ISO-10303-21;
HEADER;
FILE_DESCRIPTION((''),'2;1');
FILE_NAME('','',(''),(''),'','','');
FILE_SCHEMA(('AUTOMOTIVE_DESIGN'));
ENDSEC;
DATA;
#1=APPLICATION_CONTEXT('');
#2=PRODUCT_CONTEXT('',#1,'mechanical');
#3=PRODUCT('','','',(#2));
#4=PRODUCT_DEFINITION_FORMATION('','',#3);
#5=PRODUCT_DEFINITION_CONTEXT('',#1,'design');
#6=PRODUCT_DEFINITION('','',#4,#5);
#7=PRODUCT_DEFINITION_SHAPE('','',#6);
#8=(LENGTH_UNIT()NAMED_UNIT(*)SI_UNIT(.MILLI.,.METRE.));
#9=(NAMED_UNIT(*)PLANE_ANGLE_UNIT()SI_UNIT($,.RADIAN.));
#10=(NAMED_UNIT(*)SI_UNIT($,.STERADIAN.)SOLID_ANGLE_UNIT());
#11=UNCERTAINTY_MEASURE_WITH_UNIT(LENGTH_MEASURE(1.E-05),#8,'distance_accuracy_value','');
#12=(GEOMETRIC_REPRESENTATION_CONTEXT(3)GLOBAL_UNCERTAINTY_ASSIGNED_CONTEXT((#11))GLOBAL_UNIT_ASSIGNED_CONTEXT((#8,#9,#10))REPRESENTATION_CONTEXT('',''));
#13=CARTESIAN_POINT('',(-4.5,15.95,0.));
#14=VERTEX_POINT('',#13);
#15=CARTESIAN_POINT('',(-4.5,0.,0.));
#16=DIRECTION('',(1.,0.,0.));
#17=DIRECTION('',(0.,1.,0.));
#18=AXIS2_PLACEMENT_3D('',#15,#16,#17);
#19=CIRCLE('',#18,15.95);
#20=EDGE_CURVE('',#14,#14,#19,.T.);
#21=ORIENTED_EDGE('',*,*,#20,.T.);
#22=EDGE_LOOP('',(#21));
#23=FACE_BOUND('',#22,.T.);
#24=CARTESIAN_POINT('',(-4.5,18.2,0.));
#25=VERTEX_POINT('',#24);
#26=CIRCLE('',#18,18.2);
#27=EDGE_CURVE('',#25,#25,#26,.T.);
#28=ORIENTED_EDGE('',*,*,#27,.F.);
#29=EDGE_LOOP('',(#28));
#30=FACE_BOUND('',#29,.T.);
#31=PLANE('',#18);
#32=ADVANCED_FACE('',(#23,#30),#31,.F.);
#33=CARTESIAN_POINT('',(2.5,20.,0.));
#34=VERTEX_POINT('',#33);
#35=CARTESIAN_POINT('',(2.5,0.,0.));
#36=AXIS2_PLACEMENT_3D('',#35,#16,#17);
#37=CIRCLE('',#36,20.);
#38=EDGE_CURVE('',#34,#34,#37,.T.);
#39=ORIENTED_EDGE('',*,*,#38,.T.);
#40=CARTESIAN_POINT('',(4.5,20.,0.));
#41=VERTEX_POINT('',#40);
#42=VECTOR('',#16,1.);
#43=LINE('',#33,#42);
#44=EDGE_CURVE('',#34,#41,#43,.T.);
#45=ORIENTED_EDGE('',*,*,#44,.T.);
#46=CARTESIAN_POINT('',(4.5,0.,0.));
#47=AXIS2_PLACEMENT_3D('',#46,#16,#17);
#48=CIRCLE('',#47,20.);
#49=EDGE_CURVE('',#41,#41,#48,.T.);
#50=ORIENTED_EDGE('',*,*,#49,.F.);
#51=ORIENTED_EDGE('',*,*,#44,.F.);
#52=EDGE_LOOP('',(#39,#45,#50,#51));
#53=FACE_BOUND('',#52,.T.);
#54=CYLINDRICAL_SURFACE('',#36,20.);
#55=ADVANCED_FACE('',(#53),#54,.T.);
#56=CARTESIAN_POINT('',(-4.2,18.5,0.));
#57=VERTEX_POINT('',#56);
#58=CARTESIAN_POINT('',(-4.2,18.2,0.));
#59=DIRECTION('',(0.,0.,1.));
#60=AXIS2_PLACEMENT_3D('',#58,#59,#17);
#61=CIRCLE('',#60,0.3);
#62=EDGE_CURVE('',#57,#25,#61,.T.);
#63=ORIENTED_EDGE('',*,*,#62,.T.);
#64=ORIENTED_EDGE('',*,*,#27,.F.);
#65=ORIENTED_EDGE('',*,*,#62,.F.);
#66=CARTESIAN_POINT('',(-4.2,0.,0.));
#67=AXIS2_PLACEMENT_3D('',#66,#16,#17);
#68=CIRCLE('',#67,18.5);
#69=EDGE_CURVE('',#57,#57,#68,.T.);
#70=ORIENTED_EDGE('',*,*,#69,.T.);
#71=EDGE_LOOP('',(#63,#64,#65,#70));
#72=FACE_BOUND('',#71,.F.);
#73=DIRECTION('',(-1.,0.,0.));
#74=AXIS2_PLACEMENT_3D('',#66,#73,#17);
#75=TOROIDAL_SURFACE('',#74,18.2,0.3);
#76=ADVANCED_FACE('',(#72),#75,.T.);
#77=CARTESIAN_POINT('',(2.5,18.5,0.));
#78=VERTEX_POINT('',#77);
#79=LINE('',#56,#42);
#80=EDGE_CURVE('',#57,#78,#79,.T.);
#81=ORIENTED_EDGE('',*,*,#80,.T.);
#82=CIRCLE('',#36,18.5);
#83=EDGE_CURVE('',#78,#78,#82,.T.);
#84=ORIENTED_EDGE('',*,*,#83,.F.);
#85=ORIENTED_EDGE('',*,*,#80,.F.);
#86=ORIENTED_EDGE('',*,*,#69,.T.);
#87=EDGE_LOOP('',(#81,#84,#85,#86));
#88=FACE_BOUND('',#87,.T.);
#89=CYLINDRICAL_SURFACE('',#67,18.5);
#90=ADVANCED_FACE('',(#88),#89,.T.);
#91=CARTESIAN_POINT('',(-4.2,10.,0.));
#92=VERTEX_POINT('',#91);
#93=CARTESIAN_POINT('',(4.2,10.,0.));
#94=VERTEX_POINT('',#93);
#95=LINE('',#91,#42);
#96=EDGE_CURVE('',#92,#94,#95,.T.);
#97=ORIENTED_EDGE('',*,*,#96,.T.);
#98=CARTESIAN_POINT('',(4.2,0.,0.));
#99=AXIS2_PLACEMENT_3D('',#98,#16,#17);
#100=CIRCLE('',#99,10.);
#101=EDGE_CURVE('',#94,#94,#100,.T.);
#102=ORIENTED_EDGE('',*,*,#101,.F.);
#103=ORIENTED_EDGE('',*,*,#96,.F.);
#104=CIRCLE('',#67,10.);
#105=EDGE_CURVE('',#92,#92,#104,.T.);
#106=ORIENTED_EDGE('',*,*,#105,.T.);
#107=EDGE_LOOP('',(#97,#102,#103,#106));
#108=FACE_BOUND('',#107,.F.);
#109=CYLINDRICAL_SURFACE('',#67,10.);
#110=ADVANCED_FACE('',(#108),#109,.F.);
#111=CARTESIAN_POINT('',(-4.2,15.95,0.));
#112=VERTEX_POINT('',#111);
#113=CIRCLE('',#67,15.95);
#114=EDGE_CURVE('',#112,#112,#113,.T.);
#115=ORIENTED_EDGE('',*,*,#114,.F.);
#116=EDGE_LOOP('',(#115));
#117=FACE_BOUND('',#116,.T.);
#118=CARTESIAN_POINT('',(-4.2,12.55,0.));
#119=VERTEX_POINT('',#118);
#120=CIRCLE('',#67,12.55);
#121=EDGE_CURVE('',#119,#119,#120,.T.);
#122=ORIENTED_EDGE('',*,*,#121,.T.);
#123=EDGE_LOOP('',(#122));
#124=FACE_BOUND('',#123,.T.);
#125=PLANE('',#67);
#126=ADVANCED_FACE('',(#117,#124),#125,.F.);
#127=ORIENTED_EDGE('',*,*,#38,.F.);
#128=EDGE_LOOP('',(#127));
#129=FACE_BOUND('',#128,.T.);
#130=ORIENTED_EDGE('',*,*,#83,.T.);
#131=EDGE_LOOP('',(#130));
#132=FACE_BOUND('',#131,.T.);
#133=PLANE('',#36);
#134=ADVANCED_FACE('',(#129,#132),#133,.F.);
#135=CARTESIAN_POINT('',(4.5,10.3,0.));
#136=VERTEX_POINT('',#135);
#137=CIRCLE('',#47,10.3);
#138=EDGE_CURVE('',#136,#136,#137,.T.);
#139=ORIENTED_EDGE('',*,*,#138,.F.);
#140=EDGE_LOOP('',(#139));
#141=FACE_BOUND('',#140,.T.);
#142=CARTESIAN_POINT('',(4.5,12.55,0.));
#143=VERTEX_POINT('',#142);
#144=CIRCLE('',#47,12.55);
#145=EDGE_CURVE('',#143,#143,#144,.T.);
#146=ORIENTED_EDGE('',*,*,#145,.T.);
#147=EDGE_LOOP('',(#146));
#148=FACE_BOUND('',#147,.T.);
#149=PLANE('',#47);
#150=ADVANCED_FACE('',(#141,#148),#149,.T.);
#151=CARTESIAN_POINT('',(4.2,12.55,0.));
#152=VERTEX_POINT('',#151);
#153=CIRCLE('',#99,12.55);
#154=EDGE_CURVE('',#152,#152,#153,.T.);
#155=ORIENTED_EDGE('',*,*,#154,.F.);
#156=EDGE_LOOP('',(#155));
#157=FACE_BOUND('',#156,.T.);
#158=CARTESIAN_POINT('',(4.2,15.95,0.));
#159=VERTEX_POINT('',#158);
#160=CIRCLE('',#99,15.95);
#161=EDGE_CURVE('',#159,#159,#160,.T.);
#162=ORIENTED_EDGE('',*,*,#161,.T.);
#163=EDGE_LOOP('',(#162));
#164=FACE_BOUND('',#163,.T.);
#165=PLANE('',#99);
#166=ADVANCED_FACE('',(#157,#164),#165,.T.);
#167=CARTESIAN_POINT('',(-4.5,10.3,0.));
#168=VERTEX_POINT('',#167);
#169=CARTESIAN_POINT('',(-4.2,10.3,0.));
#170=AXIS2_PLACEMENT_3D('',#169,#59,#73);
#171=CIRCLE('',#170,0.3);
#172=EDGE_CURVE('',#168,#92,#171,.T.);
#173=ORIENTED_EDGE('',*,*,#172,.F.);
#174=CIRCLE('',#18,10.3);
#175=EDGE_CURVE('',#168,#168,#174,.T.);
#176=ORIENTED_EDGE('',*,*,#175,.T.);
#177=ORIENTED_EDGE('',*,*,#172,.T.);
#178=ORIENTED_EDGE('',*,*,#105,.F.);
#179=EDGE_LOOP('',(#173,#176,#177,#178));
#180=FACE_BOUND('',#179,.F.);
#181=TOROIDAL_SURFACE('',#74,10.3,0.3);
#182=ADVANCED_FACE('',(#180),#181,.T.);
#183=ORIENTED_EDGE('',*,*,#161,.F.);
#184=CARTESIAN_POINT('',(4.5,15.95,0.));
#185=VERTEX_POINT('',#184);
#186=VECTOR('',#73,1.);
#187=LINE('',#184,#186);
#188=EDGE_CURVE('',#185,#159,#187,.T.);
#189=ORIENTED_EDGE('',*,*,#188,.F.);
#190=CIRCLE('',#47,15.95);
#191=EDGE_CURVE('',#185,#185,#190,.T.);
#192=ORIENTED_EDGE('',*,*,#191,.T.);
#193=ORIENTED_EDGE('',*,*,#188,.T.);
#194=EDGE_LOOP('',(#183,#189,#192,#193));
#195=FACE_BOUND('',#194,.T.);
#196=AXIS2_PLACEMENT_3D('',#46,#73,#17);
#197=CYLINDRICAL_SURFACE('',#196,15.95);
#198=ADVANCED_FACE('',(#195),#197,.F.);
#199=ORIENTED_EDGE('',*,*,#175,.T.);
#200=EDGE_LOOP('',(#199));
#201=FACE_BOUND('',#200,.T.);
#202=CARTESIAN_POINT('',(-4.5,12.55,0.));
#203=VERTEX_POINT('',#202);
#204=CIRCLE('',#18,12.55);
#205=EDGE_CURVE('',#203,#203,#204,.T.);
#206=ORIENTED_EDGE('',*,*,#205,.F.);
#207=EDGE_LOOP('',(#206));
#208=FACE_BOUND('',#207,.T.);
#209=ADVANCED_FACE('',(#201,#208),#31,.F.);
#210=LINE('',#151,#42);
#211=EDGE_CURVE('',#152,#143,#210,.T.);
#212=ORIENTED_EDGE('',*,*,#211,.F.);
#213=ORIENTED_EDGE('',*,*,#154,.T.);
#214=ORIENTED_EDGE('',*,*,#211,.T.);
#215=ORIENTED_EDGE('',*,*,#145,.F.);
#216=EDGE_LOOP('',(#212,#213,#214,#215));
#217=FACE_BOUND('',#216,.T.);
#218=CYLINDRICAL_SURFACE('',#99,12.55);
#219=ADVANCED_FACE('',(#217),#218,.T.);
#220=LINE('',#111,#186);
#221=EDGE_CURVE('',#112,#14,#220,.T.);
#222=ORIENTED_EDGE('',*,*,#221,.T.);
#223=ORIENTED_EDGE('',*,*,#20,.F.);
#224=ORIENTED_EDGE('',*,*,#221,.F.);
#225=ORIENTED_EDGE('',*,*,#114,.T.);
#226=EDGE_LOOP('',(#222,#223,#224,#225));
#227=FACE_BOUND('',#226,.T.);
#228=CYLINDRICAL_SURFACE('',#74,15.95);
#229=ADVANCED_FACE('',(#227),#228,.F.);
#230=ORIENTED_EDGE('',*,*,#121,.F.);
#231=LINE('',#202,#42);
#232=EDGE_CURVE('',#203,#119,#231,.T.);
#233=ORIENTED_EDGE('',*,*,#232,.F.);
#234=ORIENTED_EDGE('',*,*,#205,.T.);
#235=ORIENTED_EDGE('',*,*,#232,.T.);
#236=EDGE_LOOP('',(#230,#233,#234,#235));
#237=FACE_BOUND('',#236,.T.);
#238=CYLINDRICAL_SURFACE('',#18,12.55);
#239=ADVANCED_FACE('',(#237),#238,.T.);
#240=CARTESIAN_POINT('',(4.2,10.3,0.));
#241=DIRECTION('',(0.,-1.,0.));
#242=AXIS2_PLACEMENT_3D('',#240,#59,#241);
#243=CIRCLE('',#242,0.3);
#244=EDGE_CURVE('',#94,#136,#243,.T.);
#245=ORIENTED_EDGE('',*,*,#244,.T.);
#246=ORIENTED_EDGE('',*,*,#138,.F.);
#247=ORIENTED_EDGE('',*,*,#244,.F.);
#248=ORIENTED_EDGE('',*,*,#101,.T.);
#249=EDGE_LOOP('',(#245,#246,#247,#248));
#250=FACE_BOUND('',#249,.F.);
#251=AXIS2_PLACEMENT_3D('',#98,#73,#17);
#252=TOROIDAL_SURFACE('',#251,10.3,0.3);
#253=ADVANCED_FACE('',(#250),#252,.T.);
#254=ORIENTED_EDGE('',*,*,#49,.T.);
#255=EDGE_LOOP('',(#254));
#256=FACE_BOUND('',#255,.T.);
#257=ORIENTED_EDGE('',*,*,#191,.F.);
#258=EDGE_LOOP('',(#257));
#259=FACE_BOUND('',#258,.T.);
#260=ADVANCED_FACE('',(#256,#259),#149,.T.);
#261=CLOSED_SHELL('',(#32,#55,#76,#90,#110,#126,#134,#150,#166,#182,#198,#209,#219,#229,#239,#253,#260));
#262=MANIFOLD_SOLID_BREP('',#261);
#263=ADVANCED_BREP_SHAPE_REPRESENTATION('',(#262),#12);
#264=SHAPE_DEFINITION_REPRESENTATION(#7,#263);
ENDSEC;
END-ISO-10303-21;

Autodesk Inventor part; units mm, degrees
ref_plane "YZ Plane" through (0, 0, 0) normal (1, 0, 0) x (0, 1, 0)
ref_plane "XZ Plane" through (0, 0, 0) normal (0, 1, 0) x (-1, 0, 0)
ref_plane "XY Plane" through (0, 0, 0) normal (0, 0, 1) x (1, 0, 0)
sketch "_____1" plane through (0, 0, 0) normal (0, 0, 1) x (1, 0, 0)
  line L0 (50, 0) -> (-50, 0)
  line L1 (-4.5, 0) -> (-4.5, 12.55)
  line L2 (-4.5, 12.55) -> (-4.2, 12.55)
  line L3 (-4.2, 12.55) -> (-4.2, 15.95)
  line L4 (-4.2, 15.95) -> (-4.5, 15.95)
  line L5 (-4.5, 15.95) -> (-4.5, 18.2)
  arc A0 (-4.2, 18.5) -> (-4.5, 18.2) centre (-4.2, 18.2) ccw
  line L6 (-4.2, 18.5) -> (2.5, 18.5)
  line L7 (2.5, 18.5) -> (2.5, 20)
  line L8 (2.5, 20) -> (4.5, 20)
  line L9 (4.5, 20) -> (4.5, 15.95)
  line L10 (4.5, 15.95) -> (4.2, 15.95)
  line L11 (4.2, 15.95) -> (4.2, 12.55)
  line L12 (4.2, 12.55) -> (4.5, 12.55)
  line L13 (4.5, 12.55) -> (4.5, 0)
  line L14 (4.5, 0) -> (-4.5, 0)
revolve "Revolution1" add sketch "_____1" angle 360 about axis through (50, 0, 0) along (1, 0, 0)
sketch "_____2" plane through (0, 0, 0) normal (0, 0, 1) x (1, 0, 0)
  line L0 (50, 0) -> (-50, 0)
  line L1 (-4.5, 0) -> (-4.5, 10.3)
  arc A0 (-4.5, 10.3) -> (-4.2, 10) centre (-4.2, 10.3) ccw
  line L2 (-4.2, 10) -> (4.2, 10)
  arc A1 (4.2, 10) -> (4.5, 10.3) centre (4.2, 10.3) ccw
  line L3 (4.5, 10.3) -> (4.5, 0)
  line L4 (4.5, 0) -> (-4.5, 0)
revolve "Revolution2" cut sketch "_____2" angle 360 about axis through (50, 0, 0) along (1, 0, 0)
properties part number "C-FL6904ZZ_CPY" material "ステンレス鋼"
